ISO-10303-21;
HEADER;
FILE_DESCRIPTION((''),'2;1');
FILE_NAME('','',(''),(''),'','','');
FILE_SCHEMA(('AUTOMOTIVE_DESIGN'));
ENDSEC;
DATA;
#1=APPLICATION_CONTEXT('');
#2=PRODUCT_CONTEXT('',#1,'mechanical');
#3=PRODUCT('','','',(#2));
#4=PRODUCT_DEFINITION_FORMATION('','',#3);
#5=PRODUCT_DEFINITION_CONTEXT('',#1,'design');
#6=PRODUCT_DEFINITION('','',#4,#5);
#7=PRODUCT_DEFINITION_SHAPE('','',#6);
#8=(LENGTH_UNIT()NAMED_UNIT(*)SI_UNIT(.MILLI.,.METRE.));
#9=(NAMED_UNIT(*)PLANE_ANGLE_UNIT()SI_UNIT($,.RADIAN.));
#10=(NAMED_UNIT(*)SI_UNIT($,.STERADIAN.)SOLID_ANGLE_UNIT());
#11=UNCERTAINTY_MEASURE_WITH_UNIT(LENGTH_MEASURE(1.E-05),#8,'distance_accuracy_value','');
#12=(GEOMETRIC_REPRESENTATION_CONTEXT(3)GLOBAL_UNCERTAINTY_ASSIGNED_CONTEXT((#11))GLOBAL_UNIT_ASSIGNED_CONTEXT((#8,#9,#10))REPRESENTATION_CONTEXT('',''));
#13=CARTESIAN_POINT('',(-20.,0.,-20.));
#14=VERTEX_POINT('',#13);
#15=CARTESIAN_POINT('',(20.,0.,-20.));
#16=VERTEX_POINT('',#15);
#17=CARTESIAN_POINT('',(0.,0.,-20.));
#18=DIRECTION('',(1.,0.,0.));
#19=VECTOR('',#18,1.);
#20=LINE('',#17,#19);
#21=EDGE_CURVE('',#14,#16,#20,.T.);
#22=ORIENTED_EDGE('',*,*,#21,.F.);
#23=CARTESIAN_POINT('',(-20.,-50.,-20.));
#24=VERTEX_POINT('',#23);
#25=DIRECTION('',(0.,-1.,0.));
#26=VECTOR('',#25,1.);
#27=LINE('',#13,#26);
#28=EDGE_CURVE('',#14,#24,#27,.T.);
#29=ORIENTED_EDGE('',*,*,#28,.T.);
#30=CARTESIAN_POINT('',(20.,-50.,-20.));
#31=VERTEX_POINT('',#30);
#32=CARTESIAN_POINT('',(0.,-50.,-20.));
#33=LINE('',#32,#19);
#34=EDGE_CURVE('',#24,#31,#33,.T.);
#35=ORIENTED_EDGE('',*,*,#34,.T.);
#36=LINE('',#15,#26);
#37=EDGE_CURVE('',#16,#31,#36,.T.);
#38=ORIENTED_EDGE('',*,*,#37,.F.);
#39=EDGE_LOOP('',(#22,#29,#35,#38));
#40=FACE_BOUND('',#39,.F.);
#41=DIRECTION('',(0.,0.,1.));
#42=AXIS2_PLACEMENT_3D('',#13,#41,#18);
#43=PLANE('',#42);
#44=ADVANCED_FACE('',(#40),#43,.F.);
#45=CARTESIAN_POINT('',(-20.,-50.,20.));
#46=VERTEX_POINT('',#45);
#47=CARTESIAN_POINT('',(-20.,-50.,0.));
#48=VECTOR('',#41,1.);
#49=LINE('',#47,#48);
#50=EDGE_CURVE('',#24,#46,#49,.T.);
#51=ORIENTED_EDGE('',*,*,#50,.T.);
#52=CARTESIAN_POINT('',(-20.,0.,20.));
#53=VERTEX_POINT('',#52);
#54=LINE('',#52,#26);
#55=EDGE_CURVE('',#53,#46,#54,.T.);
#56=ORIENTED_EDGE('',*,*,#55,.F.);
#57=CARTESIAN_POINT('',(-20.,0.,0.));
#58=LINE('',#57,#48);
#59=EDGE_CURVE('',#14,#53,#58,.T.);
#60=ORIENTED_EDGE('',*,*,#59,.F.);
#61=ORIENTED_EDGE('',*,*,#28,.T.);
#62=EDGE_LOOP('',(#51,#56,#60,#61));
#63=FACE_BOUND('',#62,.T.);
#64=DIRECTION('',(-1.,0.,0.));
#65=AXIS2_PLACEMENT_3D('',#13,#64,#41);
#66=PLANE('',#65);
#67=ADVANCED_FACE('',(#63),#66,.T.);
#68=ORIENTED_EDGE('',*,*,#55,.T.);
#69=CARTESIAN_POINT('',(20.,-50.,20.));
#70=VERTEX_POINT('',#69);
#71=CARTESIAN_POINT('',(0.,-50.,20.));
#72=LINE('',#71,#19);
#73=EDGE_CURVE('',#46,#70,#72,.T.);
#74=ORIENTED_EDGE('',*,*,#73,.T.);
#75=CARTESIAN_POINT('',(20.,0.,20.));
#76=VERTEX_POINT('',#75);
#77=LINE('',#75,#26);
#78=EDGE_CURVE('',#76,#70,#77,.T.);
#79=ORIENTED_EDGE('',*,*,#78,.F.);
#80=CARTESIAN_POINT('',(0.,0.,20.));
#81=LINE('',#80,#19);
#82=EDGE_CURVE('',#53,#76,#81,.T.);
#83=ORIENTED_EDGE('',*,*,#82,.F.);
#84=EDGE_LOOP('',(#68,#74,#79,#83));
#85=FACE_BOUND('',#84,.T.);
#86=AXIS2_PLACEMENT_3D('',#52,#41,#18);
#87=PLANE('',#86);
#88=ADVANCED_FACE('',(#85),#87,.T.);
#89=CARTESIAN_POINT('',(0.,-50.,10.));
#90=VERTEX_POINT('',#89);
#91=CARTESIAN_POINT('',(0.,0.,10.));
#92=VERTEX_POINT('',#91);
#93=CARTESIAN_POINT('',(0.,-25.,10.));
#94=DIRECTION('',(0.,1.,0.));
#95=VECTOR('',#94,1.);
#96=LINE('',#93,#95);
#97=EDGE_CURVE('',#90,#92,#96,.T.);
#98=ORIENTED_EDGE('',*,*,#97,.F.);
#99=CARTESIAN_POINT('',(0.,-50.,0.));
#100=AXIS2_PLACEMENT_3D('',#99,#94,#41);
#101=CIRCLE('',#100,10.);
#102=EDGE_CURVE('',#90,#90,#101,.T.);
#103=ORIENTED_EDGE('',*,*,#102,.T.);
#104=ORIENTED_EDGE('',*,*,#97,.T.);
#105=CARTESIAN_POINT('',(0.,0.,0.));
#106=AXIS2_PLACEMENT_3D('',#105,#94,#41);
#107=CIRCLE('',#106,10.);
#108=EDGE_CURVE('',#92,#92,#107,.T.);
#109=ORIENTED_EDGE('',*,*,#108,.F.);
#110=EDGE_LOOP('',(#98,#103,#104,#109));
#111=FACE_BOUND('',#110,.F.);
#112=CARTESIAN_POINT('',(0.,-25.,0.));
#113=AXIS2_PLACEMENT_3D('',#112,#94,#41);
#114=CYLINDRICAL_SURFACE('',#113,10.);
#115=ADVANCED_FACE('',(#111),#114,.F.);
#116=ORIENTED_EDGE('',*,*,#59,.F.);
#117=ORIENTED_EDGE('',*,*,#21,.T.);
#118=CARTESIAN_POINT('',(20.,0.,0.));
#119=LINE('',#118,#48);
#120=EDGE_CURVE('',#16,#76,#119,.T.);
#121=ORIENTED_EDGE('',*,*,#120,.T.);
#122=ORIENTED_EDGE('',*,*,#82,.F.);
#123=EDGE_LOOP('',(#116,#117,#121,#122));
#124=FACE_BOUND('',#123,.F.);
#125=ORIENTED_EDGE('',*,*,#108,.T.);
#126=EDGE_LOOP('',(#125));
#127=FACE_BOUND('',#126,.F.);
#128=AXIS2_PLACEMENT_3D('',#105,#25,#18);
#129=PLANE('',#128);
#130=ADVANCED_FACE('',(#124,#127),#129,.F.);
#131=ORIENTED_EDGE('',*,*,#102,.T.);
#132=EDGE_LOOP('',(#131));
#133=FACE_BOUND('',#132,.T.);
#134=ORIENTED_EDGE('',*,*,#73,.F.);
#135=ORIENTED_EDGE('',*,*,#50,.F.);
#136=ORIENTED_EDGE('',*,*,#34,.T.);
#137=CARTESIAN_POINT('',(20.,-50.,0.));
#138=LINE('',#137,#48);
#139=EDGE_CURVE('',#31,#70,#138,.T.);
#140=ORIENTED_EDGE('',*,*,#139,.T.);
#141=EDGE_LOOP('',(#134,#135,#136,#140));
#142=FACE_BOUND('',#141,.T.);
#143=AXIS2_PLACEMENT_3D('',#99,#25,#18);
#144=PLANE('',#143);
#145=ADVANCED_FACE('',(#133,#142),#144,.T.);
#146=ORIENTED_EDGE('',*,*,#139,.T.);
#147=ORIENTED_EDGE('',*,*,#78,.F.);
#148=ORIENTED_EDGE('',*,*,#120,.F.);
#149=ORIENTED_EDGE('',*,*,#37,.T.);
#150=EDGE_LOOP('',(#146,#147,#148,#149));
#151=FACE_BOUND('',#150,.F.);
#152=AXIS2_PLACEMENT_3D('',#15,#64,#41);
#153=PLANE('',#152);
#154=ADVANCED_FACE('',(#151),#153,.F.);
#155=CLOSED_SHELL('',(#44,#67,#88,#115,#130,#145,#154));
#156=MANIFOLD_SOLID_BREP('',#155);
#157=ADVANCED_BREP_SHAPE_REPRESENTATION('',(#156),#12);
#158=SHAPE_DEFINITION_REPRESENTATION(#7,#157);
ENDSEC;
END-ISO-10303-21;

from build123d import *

# Parameters (mm, degrees)
F0_W     = 40
F0_H     = 40
F1_DEPTH = 50
F2_W     = 50
F2_H     = 10


with BuildPart() as f1:
    # F0 (on Front) → F1 (new body)
    with BuildSketch(Plane.XZ):
        Rectangle(F0_W, F0_H)
    extrude(amount=F1_DEPTH)

    # F2 (on Right) → F3 (revolve, cut)
    with BuildSketch(Plane.YZ):
        with Locations((-25, 5)):
            Rectangle(F2_W, F2_H)
    revolve(axis=Axis((0, -21.373369, 0), (0, 1, 0)), mode=Mode.SUBTRACT)


solid = f1.part
